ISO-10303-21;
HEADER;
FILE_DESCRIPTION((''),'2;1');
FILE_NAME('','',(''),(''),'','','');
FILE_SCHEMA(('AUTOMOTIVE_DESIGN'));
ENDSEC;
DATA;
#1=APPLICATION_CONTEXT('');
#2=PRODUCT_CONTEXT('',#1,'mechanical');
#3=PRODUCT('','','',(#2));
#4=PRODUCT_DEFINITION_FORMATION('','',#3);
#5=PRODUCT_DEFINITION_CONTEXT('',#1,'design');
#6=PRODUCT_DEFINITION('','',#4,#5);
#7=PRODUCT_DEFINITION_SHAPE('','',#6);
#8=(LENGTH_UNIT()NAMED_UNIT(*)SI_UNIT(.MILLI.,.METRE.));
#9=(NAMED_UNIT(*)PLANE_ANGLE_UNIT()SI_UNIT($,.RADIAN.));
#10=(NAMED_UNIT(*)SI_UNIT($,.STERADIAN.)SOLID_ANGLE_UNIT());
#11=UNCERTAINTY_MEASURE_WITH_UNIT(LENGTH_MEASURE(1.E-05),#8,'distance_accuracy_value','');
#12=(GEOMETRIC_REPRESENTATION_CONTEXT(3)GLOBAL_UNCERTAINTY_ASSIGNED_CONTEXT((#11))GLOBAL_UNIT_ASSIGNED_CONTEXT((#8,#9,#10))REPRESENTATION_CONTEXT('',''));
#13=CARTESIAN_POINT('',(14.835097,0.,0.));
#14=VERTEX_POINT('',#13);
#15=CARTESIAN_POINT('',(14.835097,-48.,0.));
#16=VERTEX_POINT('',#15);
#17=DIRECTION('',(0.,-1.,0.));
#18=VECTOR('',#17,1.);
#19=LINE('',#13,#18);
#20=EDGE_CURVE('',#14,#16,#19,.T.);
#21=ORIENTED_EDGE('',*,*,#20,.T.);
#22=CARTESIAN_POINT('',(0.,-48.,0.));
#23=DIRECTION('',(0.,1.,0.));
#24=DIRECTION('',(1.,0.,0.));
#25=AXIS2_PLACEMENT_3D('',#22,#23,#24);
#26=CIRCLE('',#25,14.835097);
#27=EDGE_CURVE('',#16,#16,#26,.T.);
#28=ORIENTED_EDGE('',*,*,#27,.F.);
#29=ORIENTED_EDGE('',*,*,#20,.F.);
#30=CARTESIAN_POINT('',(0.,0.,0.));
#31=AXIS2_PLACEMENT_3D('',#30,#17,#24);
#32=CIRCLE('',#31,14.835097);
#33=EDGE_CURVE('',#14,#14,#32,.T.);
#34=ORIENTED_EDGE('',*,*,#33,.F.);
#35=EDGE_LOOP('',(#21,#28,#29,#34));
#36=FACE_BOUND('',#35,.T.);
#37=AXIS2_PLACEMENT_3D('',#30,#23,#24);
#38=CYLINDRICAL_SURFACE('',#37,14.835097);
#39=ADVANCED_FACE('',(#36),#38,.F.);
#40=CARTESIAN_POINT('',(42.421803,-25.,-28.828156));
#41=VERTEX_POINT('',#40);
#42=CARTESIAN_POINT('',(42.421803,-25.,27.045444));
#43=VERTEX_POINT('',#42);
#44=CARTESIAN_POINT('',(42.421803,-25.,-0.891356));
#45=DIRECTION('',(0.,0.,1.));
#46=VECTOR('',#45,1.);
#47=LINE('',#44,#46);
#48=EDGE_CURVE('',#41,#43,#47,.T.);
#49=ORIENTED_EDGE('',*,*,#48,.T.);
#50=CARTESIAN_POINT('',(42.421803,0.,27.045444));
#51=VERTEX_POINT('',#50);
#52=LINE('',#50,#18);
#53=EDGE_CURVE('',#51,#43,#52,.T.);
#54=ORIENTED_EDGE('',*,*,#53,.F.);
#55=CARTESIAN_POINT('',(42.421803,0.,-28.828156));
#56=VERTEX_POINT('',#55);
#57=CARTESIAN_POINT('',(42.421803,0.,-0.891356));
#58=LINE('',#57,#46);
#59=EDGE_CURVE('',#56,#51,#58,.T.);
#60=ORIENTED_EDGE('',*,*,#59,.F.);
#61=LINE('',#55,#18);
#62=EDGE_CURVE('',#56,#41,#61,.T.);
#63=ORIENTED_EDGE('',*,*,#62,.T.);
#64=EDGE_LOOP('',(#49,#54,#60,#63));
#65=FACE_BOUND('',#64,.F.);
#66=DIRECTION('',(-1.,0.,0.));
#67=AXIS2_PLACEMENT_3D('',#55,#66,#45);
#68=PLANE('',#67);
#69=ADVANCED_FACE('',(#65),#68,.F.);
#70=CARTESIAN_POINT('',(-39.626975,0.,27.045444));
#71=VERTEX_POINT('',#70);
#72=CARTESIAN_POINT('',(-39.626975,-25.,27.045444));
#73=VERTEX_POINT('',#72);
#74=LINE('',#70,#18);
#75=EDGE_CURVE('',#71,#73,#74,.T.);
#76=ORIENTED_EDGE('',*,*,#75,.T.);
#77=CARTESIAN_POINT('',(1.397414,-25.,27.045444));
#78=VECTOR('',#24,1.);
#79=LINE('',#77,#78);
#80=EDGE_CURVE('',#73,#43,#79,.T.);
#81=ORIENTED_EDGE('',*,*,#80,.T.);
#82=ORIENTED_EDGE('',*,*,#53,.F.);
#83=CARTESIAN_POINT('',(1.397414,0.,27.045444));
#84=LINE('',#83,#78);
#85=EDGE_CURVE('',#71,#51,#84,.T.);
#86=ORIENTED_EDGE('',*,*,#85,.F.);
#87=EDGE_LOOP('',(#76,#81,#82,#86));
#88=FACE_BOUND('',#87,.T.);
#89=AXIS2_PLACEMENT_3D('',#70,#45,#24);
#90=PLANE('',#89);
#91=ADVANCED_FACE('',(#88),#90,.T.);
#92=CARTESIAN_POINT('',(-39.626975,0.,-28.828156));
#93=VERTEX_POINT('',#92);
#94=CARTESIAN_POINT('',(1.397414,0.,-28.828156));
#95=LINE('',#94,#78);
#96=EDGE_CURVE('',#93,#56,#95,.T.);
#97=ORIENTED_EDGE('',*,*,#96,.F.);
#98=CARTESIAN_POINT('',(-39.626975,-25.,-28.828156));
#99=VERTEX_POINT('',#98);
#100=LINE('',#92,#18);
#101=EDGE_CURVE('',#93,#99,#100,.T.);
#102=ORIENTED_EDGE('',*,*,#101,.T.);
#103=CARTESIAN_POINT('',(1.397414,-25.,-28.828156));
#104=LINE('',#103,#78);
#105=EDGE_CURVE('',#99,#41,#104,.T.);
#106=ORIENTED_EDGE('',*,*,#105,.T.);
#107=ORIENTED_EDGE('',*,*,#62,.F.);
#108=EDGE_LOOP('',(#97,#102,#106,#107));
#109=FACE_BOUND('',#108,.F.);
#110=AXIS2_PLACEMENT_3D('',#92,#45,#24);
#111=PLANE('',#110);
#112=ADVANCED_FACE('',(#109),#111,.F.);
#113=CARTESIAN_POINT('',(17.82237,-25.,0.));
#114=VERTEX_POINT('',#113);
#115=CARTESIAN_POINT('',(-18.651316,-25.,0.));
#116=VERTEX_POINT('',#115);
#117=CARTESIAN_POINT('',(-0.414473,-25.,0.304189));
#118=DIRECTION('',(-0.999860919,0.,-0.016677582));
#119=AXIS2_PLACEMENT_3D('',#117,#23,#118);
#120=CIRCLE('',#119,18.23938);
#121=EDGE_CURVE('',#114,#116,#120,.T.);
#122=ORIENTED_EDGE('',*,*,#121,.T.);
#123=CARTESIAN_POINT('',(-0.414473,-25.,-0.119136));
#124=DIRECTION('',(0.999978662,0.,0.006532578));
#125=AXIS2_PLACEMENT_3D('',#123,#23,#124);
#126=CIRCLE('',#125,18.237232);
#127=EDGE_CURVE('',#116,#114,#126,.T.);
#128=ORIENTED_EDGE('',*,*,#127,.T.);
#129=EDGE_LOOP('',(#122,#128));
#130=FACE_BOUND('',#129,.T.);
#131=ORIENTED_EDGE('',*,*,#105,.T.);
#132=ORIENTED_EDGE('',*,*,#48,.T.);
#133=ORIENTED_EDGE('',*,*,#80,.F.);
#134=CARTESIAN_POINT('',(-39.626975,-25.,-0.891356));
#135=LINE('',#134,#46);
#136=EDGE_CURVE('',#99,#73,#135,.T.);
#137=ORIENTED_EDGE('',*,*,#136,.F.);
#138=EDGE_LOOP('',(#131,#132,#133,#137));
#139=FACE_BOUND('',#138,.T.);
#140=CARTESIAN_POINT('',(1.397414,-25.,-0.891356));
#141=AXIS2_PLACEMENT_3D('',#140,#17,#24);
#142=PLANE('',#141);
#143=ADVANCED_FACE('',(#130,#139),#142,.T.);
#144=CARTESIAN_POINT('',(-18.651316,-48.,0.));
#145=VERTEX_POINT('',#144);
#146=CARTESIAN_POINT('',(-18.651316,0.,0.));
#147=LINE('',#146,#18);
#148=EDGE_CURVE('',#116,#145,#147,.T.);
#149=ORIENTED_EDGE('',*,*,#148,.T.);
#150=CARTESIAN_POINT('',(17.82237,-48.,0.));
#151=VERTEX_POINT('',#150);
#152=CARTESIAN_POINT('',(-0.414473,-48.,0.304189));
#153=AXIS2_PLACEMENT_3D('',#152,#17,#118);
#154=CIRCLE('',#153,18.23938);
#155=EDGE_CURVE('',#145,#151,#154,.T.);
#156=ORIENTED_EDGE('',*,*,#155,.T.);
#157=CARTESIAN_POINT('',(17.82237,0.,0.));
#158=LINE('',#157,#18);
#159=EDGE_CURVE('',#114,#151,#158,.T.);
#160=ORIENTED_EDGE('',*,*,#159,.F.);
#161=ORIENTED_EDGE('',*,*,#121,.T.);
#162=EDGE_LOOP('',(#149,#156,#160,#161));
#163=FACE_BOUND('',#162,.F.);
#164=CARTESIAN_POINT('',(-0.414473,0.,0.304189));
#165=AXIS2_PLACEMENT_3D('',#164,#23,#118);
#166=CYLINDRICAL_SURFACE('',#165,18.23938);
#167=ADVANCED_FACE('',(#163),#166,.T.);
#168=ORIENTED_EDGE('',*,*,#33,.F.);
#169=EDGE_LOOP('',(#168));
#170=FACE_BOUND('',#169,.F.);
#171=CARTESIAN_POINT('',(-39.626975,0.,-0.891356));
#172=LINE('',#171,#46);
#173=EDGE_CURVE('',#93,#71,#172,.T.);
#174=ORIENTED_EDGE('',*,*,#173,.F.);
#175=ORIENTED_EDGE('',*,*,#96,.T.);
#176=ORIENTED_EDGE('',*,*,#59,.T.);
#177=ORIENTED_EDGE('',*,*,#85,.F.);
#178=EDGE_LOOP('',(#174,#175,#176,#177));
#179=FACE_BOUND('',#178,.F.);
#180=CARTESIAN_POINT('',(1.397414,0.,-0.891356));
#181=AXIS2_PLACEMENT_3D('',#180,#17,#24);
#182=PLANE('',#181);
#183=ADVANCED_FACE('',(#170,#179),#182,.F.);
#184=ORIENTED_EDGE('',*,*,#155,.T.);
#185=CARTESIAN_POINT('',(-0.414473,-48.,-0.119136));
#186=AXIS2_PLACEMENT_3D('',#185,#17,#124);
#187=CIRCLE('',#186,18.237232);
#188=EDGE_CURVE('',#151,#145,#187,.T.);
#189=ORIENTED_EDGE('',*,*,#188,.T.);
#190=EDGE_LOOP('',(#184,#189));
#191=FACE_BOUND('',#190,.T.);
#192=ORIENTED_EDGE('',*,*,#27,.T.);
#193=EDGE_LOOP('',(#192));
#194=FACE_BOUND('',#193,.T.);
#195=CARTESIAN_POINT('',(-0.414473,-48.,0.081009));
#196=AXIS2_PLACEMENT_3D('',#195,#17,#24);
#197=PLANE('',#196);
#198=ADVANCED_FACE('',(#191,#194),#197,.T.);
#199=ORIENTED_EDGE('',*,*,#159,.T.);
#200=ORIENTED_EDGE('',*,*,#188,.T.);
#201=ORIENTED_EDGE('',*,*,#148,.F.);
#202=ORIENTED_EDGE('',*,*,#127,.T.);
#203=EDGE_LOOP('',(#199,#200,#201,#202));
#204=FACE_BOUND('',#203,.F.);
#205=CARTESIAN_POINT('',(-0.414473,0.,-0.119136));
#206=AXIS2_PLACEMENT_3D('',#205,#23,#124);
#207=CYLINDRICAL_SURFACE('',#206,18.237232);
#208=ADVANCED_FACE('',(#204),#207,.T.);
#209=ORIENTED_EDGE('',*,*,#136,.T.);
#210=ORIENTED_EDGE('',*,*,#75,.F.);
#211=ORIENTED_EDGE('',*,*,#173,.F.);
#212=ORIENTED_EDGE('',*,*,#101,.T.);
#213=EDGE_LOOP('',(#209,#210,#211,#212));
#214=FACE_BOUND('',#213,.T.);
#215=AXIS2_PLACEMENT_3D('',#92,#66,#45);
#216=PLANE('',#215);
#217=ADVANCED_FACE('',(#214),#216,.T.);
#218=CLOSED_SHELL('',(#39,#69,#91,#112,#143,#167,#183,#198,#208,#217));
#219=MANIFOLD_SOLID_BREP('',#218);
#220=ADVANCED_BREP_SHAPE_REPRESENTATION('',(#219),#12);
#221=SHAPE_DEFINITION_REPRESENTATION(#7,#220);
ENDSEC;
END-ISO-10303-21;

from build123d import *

# Parameters (mm, degrees)
F0_W     = 82.048778
F0_H     = 55.873601
F0_R     = 14.069549
F1_DEPTH = 25
F3_DEPTH = 48
F4_R     = 14.835097
F5_DEPTH = 49


with BuildPart() as f1:
    # F0 (on Front) → F1 (new body)
    with BuildSketch(Plane.XZ):
        with Locations((1.397414, -0.891356)):
            Rectangle(F0_W, F0_H)
        Circle(F0_R, mode=Mode.SUBTRACT)
    extrude(amount=F1_DEPTH)

    # F2 (on Front) → F3 (join)
    with BuildSketch(Plane.XZ):
        with BuildLine():
            ThreePointArc((-18.651316, 0), (-0.414473, -17.935191), (17.82237, 0))
            ThreePointArc((17.82237, 0), (-0.414473, 18.118096), (-18.651316, 0))
        make_face()
    extrude(amount=F3_DEPTH)

    # F4 (on Front) → F5 (cut)
    with BuildSketch(Plane.XZ):
        Circle(F4_R)
    extrude(amount=F5_DEPTH, mode=Mode.SUBTRACT)


solid = f1.part
